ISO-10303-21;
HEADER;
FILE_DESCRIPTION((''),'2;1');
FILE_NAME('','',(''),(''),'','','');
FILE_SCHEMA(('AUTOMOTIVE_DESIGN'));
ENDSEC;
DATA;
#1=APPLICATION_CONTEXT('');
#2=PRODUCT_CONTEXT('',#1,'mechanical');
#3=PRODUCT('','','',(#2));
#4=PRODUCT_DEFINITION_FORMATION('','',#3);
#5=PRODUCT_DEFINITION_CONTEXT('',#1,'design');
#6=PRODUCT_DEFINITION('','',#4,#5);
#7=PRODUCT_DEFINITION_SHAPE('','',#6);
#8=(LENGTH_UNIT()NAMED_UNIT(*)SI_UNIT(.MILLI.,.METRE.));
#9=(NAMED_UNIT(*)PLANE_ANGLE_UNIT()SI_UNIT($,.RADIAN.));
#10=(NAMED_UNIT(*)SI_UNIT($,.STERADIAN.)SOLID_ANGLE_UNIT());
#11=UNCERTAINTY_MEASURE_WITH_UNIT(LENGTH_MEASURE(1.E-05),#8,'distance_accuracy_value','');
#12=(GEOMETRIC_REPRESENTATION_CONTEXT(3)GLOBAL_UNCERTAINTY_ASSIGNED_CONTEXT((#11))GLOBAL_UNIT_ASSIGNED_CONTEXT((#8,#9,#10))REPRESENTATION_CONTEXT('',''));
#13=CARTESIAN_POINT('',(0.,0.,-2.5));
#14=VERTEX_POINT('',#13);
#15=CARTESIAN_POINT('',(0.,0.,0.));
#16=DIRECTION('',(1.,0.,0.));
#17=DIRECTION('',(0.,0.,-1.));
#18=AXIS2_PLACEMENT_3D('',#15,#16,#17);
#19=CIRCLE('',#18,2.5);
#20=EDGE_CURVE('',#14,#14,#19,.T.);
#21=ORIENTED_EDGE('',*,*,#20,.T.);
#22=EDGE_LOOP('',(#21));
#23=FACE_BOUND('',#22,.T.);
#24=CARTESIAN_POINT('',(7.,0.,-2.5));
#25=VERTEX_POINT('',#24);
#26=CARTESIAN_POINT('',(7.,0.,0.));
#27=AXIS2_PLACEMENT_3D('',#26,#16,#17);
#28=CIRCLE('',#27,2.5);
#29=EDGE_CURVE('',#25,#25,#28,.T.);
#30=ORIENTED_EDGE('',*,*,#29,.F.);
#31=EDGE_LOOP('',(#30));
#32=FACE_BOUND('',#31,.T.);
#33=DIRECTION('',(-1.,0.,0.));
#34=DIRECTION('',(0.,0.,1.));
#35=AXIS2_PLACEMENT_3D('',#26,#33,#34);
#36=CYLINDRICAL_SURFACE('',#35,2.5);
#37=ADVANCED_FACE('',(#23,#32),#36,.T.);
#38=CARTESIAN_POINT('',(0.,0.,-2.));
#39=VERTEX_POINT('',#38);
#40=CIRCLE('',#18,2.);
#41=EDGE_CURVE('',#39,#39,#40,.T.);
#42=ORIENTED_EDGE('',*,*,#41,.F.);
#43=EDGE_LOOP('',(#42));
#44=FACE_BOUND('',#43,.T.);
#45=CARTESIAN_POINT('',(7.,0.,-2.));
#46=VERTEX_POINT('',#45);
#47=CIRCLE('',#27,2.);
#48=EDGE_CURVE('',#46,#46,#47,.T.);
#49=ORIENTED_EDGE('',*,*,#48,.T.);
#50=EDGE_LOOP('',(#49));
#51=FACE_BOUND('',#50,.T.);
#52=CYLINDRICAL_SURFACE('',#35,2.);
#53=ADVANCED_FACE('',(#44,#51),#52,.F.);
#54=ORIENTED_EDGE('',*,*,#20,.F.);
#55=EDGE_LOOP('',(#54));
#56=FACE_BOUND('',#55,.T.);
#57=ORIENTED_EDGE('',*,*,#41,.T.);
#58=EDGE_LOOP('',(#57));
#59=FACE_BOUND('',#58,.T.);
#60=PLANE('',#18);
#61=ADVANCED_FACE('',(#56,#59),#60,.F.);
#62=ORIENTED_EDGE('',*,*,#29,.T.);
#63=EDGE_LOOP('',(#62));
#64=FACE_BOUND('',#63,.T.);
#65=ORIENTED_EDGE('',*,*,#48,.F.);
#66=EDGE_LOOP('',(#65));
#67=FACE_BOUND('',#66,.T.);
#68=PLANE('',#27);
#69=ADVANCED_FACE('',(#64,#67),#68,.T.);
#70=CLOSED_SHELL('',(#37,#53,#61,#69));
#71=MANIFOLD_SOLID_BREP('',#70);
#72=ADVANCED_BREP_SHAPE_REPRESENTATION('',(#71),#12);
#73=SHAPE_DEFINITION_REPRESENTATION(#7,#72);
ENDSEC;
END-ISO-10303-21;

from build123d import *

# Parameters (mm, degrees)
SKETCH1_R           = 2.5
SKETCH1_R_2         = 2
BOSS_EXTRUDE1_DEPTH = 7


with BuildPart() as part:
    # Sketch1 → Boss-Extrude1 (new body)
    with BuildSketch(Plane(origin=(0, 0, 0), x_dir=(0, 0, -1), z_dir=(1, 0, 0))):
        Circle(SKETCH1_R)
        Circle(SKETCH1_R_2, mode=Mode.SUBTRACT)
    extrude(amount=BOSS_EXTRUDE1_DEPTH)


solid = part.part
